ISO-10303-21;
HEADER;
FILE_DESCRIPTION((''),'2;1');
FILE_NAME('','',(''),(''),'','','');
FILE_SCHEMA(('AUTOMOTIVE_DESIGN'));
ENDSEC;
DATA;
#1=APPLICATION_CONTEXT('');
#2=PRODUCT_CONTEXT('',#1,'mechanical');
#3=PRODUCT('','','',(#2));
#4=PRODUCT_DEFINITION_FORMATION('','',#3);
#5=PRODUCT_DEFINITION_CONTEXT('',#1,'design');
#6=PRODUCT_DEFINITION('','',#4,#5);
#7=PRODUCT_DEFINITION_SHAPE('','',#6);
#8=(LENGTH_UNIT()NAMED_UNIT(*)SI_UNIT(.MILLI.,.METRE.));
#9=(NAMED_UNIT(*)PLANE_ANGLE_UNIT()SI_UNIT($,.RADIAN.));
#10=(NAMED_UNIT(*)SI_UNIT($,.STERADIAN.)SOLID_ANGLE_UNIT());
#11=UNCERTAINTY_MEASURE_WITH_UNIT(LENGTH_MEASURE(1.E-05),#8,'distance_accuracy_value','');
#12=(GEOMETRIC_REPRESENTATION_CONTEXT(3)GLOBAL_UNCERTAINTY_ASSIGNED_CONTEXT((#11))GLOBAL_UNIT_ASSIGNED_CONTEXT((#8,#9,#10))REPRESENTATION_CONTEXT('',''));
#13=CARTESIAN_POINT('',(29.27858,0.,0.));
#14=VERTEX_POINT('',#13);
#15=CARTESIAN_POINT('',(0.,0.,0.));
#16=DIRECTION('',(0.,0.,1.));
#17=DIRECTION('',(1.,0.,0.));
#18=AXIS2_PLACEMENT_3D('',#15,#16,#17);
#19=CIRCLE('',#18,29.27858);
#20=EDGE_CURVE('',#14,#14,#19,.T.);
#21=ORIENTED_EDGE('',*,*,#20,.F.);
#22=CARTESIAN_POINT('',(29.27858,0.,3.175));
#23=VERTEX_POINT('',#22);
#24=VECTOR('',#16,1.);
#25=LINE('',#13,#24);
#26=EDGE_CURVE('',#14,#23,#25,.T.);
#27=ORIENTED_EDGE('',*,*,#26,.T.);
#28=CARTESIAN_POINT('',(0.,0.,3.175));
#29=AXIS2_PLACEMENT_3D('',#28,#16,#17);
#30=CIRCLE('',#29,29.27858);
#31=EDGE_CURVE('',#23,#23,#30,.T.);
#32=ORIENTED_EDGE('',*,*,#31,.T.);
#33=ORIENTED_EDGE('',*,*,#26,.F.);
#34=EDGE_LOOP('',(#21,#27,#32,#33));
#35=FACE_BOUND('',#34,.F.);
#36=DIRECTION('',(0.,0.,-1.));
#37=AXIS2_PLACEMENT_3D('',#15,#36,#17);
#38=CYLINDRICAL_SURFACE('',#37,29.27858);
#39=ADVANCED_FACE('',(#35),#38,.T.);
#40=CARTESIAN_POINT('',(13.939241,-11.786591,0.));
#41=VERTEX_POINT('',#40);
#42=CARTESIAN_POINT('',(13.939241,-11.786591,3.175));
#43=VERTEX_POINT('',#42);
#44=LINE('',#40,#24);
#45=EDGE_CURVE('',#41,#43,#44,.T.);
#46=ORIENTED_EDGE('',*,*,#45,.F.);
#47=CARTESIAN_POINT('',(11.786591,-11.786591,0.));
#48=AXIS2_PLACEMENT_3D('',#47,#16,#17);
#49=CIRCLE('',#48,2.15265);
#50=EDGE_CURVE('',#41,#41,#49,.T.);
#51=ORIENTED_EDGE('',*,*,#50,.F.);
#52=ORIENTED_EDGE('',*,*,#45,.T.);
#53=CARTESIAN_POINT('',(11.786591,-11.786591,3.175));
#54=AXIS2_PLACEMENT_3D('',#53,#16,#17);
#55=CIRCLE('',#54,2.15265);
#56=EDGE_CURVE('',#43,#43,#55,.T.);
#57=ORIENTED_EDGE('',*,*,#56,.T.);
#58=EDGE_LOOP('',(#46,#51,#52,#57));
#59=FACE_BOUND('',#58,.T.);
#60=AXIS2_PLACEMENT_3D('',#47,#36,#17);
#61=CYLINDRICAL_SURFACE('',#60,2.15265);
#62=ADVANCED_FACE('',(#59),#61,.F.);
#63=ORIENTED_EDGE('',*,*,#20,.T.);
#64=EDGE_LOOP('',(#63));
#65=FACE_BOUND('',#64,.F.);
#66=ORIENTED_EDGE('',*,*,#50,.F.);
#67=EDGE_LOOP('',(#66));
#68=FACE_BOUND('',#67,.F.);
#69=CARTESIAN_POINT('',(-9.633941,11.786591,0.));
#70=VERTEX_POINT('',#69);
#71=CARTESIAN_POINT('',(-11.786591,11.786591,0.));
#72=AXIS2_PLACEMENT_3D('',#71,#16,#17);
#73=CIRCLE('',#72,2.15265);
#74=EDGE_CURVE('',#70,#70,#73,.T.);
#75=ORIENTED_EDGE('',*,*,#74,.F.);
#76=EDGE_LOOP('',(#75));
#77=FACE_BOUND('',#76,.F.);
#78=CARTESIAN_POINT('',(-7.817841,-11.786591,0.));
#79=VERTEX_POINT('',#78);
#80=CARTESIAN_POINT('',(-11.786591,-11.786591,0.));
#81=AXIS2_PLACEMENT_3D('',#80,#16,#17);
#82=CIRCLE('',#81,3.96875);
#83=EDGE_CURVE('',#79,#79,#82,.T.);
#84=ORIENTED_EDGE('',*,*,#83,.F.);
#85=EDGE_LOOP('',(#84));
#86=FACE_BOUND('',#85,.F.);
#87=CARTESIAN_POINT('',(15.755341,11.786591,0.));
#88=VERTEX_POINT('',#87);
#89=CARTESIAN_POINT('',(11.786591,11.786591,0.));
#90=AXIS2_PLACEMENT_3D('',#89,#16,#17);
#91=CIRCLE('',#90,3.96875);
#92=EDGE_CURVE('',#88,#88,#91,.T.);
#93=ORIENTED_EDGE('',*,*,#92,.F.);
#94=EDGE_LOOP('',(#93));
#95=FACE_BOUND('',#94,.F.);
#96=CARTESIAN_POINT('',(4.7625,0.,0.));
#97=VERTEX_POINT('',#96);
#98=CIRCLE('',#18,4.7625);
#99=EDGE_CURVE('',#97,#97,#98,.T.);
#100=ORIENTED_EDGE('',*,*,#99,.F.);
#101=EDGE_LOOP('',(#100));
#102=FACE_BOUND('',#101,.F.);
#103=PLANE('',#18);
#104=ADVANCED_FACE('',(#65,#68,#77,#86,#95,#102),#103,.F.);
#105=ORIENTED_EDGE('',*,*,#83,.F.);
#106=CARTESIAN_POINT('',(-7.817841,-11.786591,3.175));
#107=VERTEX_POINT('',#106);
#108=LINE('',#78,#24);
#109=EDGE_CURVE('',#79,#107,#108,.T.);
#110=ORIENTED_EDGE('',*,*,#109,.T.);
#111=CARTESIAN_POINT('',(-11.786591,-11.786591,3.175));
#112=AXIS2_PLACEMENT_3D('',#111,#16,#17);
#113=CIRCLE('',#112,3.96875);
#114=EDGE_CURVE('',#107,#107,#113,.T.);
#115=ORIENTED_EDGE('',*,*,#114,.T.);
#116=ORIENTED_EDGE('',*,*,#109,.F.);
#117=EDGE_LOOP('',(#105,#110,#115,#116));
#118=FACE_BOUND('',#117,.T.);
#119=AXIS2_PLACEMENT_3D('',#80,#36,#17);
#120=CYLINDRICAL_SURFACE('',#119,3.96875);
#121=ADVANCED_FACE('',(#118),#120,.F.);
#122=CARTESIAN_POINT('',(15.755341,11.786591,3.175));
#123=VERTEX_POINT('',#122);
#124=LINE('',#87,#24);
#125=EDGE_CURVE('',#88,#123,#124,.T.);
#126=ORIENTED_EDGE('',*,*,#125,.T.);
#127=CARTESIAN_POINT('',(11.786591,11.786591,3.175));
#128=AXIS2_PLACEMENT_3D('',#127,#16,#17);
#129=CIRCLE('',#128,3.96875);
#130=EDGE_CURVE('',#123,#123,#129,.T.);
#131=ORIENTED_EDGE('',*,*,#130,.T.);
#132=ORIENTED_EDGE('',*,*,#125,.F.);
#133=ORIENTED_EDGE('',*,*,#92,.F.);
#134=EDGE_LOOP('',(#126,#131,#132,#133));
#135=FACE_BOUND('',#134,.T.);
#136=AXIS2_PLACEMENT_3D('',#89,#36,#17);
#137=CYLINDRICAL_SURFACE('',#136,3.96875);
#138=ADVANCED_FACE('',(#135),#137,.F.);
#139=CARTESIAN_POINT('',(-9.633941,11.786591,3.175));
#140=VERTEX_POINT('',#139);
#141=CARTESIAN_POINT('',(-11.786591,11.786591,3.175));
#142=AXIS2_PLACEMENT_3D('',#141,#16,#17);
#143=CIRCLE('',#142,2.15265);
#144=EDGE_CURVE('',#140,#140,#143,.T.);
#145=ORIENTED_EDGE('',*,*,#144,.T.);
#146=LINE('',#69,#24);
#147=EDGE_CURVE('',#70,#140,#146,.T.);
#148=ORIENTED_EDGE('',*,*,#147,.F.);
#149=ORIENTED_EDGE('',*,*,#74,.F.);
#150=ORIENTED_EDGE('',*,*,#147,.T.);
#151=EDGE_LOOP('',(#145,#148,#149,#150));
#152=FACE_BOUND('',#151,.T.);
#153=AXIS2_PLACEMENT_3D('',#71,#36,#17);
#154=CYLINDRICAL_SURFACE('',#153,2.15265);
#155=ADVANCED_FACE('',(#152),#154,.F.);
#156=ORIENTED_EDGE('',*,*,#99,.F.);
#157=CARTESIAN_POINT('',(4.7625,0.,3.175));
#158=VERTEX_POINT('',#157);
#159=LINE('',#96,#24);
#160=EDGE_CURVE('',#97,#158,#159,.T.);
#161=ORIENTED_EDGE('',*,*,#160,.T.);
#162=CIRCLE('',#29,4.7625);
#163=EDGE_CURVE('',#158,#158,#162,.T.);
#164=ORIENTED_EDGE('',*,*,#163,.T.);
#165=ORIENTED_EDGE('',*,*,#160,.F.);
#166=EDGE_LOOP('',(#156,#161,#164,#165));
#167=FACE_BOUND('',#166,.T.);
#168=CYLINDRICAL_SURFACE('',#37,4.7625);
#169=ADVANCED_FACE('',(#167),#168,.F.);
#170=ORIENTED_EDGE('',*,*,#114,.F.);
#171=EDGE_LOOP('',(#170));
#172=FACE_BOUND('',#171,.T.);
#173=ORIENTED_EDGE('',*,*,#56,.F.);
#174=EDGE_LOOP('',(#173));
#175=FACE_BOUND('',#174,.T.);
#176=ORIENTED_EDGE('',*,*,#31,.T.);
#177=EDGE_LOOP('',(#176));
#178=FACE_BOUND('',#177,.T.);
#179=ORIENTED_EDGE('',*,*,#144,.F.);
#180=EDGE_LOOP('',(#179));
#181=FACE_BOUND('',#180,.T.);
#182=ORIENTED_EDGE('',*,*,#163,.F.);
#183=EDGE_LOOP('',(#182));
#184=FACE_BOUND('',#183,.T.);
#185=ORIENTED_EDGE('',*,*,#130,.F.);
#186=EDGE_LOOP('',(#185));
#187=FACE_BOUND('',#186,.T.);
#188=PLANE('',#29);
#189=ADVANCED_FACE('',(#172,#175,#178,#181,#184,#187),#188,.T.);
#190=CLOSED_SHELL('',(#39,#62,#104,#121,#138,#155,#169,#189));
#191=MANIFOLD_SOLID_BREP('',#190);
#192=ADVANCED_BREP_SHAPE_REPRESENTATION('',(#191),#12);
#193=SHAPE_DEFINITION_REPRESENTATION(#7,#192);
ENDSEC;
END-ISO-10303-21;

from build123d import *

# Parameters (mm, degrees)
F0_R     = 29.27858
F0_R_2   = 3.96875
F0_R_3   = 2.15265
F0_R_4   = 4.7625
F1_DEPTH = 3.175


with BuildPart() as f1:
    # F0 (on Top) → F1 (new body)
    with BuildSketch(Plane.XY):
        Circle(F0_R)
        with Locations((-11.786591, -11.786591)):
            Circle(F0_R_2, mode=Mode.SUBTRACT)
        with Locations((11.786591, -11.786591)):
            Circle(F0_R_3, mode=Mode.SUBTRACT)
        with Locations((-11.786591, 11.786591)):
            Circle(F0_R_3, mode=Mode.SUBTRACT)
        Circle(F0_R_4, mode=Mode.SUBTRACT)
        with Locations((11.786591, 11.786591)):
            Circle(F0_R_2, mode=Mode.SUBTRACT)
    extrude(amount=F1_DEPTH)


solid = f1.part
